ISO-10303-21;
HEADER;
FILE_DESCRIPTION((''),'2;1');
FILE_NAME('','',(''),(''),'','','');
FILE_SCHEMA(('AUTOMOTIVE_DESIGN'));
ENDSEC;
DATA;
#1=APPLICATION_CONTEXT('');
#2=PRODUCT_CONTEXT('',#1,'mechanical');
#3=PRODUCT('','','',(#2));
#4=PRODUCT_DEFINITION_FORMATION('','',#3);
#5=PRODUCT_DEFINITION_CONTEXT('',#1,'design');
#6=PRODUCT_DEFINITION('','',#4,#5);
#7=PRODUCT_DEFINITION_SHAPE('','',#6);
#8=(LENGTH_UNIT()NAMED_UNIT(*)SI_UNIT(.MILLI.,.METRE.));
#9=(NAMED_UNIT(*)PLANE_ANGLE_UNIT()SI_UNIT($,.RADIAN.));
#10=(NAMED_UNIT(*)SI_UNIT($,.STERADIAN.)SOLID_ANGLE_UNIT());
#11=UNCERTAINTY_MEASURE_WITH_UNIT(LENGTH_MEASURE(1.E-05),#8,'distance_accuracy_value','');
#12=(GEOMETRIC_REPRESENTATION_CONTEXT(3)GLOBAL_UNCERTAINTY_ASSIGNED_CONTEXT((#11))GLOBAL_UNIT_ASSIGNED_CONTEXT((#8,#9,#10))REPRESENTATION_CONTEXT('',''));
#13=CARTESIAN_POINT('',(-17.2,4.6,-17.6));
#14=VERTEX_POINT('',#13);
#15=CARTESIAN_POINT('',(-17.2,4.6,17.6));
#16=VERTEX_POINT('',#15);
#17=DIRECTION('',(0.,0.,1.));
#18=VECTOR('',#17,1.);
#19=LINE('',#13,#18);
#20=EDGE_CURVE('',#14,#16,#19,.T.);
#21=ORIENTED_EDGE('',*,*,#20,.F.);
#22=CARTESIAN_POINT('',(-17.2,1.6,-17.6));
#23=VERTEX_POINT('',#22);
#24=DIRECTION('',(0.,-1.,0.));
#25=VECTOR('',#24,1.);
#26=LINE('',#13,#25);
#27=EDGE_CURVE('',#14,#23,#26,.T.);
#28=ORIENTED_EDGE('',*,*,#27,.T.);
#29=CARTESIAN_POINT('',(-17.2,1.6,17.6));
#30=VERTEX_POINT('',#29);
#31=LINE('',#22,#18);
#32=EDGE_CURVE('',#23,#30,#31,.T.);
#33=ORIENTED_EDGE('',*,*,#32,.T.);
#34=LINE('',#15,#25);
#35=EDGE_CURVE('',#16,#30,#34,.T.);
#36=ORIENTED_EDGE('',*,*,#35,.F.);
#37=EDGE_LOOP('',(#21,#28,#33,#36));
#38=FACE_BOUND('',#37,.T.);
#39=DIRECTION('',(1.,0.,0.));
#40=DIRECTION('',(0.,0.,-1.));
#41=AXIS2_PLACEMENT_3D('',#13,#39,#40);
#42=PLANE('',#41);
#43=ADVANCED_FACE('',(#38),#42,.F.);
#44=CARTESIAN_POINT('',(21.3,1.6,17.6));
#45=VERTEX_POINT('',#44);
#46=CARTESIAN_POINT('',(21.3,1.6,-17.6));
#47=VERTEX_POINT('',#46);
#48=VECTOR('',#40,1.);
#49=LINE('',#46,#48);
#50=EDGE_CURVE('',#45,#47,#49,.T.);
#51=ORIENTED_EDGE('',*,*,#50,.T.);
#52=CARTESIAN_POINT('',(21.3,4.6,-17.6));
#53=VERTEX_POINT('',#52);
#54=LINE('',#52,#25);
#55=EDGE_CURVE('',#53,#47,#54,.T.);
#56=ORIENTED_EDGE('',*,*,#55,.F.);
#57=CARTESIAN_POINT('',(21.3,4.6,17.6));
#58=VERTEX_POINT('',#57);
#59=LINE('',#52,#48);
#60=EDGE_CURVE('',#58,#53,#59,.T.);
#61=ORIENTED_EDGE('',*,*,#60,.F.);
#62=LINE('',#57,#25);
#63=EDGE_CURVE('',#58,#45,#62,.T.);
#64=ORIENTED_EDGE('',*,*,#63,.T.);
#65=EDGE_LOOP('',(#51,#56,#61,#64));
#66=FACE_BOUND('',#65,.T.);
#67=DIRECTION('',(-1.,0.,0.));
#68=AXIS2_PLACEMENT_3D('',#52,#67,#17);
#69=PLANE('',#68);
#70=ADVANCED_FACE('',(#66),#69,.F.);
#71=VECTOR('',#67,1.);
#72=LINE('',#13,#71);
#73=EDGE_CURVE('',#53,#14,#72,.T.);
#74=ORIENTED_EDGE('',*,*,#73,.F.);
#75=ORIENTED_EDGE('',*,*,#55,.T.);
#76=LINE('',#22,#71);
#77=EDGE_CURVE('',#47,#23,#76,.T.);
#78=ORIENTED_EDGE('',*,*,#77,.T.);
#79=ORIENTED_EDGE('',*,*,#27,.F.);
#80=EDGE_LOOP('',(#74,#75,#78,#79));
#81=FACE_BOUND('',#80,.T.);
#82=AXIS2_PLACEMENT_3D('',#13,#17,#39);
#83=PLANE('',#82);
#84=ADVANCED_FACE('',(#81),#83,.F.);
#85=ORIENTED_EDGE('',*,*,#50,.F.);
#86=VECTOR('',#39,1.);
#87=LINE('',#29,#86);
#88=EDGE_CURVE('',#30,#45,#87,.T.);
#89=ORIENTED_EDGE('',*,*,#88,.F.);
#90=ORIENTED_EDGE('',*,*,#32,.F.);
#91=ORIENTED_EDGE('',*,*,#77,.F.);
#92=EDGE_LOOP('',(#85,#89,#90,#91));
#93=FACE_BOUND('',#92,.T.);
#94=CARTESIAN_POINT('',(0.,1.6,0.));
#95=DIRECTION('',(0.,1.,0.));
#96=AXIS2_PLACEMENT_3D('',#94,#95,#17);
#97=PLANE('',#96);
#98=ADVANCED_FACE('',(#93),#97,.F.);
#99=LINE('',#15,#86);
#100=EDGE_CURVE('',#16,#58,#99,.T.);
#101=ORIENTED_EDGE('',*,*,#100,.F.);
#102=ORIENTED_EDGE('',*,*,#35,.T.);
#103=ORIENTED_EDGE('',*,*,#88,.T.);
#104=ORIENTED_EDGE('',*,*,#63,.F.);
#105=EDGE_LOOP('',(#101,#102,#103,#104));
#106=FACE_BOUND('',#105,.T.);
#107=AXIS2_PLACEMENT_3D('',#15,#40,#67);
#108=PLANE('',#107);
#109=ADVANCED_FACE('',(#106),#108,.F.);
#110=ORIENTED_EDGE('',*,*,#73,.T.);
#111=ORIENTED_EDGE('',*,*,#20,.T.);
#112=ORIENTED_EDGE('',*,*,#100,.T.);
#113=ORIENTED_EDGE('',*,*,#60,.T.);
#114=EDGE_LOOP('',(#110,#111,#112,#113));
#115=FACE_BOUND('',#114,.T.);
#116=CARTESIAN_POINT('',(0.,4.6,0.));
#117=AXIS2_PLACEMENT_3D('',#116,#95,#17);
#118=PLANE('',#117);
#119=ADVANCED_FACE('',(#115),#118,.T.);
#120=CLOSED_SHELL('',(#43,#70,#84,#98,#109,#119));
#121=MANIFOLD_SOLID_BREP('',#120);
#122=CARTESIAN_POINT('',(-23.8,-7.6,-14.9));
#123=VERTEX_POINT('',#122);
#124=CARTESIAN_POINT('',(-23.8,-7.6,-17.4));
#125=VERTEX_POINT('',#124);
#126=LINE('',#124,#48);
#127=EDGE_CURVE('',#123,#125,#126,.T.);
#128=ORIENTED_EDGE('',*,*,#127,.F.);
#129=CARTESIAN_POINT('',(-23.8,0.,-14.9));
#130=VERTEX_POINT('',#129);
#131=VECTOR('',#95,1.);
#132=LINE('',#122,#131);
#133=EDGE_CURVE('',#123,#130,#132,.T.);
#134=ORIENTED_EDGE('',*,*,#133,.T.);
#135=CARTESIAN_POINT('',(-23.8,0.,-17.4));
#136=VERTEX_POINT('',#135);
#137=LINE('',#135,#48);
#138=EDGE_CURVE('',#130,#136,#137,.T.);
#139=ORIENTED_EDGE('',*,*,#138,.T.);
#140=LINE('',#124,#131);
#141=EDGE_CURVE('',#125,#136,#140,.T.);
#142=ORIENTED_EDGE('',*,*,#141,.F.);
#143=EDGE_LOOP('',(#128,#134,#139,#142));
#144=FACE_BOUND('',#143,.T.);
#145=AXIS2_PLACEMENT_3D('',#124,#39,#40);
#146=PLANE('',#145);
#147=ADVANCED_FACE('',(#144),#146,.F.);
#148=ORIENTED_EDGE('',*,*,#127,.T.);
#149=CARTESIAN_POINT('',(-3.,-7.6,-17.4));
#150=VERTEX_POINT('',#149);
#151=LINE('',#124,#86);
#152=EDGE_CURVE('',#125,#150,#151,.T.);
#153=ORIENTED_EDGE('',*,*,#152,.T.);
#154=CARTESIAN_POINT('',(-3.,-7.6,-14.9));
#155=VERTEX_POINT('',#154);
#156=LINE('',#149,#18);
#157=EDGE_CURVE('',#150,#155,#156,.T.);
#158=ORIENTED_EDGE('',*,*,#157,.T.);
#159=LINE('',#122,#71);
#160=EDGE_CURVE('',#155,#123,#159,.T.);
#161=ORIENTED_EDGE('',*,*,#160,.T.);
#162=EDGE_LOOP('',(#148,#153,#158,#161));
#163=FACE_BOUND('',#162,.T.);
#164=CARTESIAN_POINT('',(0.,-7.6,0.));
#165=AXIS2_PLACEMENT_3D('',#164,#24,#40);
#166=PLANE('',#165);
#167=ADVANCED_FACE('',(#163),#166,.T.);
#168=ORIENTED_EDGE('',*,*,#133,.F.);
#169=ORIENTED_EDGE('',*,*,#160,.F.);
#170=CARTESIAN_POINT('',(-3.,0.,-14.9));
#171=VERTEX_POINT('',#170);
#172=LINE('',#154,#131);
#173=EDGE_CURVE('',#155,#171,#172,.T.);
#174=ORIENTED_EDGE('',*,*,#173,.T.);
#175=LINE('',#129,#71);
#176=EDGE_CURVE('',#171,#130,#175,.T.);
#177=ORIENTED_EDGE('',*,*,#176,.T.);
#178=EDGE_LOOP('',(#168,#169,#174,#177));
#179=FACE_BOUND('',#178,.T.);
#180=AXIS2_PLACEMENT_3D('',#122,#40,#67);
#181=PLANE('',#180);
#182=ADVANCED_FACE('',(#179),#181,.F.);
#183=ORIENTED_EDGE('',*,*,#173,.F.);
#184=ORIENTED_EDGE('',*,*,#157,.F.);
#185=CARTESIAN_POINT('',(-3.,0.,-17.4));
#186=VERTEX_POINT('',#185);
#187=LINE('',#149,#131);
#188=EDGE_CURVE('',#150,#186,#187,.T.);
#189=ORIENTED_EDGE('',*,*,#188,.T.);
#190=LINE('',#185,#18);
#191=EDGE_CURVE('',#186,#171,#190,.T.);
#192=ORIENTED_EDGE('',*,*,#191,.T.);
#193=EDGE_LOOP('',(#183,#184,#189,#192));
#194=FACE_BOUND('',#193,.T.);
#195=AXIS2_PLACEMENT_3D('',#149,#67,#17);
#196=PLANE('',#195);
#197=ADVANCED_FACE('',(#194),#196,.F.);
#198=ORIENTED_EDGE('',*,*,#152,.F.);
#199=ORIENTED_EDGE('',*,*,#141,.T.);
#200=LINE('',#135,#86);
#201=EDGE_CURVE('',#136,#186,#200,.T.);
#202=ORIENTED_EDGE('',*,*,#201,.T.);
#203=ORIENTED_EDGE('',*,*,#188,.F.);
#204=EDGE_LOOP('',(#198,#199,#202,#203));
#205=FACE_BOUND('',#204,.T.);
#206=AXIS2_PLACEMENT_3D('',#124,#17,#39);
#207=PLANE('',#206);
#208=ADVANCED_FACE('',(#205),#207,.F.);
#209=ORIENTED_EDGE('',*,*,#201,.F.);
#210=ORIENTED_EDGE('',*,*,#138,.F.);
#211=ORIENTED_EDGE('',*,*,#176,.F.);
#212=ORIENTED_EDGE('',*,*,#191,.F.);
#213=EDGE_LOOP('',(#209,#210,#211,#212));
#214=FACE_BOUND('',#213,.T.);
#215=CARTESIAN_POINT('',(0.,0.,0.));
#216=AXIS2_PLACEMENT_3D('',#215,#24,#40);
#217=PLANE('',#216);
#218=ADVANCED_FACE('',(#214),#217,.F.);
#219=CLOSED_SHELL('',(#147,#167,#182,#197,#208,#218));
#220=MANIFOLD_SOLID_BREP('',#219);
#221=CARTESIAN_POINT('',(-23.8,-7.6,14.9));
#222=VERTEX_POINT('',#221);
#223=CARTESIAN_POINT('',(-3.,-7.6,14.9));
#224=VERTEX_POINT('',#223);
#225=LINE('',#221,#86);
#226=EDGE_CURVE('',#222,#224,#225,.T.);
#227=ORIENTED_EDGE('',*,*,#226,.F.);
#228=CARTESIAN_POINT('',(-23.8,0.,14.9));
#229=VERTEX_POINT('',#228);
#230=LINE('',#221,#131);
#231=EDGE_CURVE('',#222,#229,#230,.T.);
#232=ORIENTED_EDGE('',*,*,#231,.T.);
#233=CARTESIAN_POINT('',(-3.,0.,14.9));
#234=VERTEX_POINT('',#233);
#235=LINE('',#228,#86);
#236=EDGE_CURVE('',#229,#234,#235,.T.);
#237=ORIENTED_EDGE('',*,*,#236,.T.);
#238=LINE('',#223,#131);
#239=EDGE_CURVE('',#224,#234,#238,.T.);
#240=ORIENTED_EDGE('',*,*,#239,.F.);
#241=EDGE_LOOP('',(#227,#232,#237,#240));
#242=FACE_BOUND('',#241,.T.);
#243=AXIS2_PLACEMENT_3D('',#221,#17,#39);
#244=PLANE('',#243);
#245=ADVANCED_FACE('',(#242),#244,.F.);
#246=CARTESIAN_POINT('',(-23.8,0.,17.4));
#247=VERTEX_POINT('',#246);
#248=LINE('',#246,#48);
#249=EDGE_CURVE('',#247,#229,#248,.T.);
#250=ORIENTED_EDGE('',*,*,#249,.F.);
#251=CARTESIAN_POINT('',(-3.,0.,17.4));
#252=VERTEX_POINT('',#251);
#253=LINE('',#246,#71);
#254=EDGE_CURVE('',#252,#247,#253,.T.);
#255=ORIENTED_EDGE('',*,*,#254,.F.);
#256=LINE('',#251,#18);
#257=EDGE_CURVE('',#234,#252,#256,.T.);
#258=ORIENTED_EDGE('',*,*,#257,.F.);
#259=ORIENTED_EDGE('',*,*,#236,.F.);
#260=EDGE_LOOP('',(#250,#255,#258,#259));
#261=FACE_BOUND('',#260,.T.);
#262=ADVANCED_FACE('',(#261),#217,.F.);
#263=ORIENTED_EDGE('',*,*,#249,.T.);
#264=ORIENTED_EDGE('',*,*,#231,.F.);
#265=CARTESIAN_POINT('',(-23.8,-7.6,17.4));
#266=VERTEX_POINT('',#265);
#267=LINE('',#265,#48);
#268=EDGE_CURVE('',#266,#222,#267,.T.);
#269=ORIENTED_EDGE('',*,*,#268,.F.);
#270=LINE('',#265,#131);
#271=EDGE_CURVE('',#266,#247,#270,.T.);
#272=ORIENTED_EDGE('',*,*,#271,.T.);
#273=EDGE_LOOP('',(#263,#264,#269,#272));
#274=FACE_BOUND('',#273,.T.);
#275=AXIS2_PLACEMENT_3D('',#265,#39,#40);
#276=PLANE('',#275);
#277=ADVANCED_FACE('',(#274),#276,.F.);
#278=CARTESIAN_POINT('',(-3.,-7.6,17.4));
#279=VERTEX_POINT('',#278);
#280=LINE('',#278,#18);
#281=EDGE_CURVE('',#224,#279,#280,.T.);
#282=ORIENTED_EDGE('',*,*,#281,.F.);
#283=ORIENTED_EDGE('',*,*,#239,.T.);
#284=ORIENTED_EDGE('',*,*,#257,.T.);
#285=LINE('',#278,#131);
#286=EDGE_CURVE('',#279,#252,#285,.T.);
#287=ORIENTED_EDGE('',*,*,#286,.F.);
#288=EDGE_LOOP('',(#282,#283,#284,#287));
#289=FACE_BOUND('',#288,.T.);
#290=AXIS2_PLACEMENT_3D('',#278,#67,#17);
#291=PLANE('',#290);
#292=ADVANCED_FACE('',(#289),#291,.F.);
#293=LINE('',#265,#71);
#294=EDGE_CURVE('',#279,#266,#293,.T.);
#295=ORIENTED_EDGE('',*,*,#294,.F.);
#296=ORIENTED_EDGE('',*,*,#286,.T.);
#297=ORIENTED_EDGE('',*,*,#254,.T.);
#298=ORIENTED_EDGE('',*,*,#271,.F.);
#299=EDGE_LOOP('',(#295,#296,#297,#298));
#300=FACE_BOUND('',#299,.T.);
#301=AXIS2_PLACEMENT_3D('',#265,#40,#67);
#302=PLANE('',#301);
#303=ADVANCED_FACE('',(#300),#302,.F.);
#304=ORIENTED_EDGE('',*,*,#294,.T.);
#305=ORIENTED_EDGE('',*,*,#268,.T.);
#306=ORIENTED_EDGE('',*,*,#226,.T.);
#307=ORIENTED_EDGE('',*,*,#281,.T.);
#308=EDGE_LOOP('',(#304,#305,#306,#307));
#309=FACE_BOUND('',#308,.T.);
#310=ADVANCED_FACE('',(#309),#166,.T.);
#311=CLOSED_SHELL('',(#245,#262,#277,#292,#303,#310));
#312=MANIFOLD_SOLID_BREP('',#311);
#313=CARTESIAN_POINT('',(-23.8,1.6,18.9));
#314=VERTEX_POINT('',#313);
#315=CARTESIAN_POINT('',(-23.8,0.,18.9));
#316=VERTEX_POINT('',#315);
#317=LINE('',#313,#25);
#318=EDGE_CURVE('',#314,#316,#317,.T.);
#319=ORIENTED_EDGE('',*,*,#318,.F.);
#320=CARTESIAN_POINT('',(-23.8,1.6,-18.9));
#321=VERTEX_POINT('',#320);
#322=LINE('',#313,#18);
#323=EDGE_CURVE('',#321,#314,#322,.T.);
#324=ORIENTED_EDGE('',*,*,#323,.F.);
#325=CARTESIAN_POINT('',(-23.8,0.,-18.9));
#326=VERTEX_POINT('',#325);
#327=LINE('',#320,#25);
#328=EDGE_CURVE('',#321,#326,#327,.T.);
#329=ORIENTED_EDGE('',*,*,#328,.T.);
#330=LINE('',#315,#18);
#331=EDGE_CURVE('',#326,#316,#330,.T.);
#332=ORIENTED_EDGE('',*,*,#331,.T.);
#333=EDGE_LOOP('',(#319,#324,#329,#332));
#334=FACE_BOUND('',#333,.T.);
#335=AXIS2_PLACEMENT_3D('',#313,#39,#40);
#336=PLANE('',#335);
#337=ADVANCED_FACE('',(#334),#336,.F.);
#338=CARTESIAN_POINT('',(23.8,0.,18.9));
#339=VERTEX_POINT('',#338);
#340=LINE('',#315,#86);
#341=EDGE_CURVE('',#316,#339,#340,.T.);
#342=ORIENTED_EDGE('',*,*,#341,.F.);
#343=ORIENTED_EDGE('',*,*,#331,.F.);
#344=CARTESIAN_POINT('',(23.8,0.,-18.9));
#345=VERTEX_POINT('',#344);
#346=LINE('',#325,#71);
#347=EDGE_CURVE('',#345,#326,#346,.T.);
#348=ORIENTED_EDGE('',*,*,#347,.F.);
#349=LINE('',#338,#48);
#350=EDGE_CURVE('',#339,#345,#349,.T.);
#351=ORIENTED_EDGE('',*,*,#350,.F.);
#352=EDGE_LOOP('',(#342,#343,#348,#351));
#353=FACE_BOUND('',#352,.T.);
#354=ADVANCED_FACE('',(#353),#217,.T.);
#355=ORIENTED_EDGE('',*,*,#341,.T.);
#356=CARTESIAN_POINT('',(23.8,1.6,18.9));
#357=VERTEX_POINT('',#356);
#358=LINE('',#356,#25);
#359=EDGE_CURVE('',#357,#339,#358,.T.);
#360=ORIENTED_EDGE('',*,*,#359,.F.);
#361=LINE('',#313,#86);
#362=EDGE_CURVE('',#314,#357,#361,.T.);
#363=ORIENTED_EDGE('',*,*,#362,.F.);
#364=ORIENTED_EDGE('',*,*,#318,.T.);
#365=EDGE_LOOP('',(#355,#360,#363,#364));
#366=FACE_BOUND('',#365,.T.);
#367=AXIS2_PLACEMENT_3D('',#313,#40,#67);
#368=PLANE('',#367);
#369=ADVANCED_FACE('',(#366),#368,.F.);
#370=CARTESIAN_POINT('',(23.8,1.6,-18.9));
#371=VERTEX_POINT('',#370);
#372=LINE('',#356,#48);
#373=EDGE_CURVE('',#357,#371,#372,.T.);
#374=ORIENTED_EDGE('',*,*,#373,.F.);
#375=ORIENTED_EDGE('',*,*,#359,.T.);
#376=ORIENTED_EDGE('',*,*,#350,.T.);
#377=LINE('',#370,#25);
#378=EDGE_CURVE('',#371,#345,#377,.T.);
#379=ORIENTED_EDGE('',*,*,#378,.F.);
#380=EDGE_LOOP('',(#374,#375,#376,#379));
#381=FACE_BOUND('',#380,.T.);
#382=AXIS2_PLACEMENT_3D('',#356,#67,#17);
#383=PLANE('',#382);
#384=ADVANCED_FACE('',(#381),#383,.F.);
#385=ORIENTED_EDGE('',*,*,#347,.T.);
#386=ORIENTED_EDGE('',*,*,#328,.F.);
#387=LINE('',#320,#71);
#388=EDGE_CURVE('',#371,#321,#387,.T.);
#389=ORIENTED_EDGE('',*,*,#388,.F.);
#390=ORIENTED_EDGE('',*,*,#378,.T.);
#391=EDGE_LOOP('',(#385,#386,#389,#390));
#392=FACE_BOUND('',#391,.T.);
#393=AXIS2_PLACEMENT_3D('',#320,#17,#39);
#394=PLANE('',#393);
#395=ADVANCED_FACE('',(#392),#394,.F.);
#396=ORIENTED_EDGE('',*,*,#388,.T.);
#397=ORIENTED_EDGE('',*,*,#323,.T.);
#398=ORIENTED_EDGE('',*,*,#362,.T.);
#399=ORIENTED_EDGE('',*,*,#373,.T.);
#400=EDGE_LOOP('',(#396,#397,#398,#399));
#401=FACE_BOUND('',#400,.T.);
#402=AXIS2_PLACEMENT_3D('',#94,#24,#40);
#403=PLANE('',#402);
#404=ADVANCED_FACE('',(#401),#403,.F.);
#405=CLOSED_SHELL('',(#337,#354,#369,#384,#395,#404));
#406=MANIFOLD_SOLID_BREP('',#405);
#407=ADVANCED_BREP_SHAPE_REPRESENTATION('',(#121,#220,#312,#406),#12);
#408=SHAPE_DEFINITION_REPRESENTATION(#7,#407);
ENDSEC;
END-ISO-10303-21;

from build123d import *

# Parameters (mm, degrees)
SKETCH1_W             = 47.6
SKETCH1_H             = 37.8
BOSS_EXTRUDE1_DEPTH   = 1.6
SKETCH2_W             = 38.5
SKETCH2_H             = 35.2
BOSS_EXTRUDE2_DEPTH   = 3
SKETCH3_W             = 20.8
SKETCH3_H             = 2.5
BOSS_EXTRUDE3_DEPTH   = 7.6
BOSS_EXTRUDE3_2_DEPTH = 7.6


with BuildPart() as part:
    # Sketch1 → Boss-Extrude1 (new body)
    with BuildSketch(Plane(origin=(0, 0, 0), x_dir=(1, 0, 0), z_dir=(0, 1, 0))):
        Rectangle(SKETCH1_W, SKETCH1_H)
    extrude(amount=BOSS_EXTRUDE1_DEPTH)


with BuildPart() as body_2:
    # Sketch2 → Boss-Extrude2 (new body)
    with BuildSketch(Plane(origin=(0, 1.6, 0), x_dir=(1, 0, 0), z_dir=(0, 1, 0))):
        with Locations((2.05, 0)):
            Rectangle(SKETCH2_W, SKETCH2_H)
    extrude(amount=BOSS_EXTRUDE2_DEPTH)


with BuildPart() as body_3:
    # Sketch3 → Boss-Extrude3 (new body)
    with BuildSketch(Plane.XZ):
        with Locations((-13.4, 16.15)):
            Rectangle(SKETCH3_W, SKETCH3_H)
    extrude(amount=BOSS_EXTRUDE3_DEPTH)


with BuildPart() as body_4:
    # Sketch3 → Boss-Extrude3 2 (new body)
    with BuildSketch(Plane.XZ):
        with Locations((-13.4, -16.15)):
            Rectangle(SKETCH3_W, SKETCH3_H)
    extrude(amount=BOSS_EXTRUDE3_2_DEPTH)


solid = Compound([part.part, body_2.part, body_3.part, body_4.part])
